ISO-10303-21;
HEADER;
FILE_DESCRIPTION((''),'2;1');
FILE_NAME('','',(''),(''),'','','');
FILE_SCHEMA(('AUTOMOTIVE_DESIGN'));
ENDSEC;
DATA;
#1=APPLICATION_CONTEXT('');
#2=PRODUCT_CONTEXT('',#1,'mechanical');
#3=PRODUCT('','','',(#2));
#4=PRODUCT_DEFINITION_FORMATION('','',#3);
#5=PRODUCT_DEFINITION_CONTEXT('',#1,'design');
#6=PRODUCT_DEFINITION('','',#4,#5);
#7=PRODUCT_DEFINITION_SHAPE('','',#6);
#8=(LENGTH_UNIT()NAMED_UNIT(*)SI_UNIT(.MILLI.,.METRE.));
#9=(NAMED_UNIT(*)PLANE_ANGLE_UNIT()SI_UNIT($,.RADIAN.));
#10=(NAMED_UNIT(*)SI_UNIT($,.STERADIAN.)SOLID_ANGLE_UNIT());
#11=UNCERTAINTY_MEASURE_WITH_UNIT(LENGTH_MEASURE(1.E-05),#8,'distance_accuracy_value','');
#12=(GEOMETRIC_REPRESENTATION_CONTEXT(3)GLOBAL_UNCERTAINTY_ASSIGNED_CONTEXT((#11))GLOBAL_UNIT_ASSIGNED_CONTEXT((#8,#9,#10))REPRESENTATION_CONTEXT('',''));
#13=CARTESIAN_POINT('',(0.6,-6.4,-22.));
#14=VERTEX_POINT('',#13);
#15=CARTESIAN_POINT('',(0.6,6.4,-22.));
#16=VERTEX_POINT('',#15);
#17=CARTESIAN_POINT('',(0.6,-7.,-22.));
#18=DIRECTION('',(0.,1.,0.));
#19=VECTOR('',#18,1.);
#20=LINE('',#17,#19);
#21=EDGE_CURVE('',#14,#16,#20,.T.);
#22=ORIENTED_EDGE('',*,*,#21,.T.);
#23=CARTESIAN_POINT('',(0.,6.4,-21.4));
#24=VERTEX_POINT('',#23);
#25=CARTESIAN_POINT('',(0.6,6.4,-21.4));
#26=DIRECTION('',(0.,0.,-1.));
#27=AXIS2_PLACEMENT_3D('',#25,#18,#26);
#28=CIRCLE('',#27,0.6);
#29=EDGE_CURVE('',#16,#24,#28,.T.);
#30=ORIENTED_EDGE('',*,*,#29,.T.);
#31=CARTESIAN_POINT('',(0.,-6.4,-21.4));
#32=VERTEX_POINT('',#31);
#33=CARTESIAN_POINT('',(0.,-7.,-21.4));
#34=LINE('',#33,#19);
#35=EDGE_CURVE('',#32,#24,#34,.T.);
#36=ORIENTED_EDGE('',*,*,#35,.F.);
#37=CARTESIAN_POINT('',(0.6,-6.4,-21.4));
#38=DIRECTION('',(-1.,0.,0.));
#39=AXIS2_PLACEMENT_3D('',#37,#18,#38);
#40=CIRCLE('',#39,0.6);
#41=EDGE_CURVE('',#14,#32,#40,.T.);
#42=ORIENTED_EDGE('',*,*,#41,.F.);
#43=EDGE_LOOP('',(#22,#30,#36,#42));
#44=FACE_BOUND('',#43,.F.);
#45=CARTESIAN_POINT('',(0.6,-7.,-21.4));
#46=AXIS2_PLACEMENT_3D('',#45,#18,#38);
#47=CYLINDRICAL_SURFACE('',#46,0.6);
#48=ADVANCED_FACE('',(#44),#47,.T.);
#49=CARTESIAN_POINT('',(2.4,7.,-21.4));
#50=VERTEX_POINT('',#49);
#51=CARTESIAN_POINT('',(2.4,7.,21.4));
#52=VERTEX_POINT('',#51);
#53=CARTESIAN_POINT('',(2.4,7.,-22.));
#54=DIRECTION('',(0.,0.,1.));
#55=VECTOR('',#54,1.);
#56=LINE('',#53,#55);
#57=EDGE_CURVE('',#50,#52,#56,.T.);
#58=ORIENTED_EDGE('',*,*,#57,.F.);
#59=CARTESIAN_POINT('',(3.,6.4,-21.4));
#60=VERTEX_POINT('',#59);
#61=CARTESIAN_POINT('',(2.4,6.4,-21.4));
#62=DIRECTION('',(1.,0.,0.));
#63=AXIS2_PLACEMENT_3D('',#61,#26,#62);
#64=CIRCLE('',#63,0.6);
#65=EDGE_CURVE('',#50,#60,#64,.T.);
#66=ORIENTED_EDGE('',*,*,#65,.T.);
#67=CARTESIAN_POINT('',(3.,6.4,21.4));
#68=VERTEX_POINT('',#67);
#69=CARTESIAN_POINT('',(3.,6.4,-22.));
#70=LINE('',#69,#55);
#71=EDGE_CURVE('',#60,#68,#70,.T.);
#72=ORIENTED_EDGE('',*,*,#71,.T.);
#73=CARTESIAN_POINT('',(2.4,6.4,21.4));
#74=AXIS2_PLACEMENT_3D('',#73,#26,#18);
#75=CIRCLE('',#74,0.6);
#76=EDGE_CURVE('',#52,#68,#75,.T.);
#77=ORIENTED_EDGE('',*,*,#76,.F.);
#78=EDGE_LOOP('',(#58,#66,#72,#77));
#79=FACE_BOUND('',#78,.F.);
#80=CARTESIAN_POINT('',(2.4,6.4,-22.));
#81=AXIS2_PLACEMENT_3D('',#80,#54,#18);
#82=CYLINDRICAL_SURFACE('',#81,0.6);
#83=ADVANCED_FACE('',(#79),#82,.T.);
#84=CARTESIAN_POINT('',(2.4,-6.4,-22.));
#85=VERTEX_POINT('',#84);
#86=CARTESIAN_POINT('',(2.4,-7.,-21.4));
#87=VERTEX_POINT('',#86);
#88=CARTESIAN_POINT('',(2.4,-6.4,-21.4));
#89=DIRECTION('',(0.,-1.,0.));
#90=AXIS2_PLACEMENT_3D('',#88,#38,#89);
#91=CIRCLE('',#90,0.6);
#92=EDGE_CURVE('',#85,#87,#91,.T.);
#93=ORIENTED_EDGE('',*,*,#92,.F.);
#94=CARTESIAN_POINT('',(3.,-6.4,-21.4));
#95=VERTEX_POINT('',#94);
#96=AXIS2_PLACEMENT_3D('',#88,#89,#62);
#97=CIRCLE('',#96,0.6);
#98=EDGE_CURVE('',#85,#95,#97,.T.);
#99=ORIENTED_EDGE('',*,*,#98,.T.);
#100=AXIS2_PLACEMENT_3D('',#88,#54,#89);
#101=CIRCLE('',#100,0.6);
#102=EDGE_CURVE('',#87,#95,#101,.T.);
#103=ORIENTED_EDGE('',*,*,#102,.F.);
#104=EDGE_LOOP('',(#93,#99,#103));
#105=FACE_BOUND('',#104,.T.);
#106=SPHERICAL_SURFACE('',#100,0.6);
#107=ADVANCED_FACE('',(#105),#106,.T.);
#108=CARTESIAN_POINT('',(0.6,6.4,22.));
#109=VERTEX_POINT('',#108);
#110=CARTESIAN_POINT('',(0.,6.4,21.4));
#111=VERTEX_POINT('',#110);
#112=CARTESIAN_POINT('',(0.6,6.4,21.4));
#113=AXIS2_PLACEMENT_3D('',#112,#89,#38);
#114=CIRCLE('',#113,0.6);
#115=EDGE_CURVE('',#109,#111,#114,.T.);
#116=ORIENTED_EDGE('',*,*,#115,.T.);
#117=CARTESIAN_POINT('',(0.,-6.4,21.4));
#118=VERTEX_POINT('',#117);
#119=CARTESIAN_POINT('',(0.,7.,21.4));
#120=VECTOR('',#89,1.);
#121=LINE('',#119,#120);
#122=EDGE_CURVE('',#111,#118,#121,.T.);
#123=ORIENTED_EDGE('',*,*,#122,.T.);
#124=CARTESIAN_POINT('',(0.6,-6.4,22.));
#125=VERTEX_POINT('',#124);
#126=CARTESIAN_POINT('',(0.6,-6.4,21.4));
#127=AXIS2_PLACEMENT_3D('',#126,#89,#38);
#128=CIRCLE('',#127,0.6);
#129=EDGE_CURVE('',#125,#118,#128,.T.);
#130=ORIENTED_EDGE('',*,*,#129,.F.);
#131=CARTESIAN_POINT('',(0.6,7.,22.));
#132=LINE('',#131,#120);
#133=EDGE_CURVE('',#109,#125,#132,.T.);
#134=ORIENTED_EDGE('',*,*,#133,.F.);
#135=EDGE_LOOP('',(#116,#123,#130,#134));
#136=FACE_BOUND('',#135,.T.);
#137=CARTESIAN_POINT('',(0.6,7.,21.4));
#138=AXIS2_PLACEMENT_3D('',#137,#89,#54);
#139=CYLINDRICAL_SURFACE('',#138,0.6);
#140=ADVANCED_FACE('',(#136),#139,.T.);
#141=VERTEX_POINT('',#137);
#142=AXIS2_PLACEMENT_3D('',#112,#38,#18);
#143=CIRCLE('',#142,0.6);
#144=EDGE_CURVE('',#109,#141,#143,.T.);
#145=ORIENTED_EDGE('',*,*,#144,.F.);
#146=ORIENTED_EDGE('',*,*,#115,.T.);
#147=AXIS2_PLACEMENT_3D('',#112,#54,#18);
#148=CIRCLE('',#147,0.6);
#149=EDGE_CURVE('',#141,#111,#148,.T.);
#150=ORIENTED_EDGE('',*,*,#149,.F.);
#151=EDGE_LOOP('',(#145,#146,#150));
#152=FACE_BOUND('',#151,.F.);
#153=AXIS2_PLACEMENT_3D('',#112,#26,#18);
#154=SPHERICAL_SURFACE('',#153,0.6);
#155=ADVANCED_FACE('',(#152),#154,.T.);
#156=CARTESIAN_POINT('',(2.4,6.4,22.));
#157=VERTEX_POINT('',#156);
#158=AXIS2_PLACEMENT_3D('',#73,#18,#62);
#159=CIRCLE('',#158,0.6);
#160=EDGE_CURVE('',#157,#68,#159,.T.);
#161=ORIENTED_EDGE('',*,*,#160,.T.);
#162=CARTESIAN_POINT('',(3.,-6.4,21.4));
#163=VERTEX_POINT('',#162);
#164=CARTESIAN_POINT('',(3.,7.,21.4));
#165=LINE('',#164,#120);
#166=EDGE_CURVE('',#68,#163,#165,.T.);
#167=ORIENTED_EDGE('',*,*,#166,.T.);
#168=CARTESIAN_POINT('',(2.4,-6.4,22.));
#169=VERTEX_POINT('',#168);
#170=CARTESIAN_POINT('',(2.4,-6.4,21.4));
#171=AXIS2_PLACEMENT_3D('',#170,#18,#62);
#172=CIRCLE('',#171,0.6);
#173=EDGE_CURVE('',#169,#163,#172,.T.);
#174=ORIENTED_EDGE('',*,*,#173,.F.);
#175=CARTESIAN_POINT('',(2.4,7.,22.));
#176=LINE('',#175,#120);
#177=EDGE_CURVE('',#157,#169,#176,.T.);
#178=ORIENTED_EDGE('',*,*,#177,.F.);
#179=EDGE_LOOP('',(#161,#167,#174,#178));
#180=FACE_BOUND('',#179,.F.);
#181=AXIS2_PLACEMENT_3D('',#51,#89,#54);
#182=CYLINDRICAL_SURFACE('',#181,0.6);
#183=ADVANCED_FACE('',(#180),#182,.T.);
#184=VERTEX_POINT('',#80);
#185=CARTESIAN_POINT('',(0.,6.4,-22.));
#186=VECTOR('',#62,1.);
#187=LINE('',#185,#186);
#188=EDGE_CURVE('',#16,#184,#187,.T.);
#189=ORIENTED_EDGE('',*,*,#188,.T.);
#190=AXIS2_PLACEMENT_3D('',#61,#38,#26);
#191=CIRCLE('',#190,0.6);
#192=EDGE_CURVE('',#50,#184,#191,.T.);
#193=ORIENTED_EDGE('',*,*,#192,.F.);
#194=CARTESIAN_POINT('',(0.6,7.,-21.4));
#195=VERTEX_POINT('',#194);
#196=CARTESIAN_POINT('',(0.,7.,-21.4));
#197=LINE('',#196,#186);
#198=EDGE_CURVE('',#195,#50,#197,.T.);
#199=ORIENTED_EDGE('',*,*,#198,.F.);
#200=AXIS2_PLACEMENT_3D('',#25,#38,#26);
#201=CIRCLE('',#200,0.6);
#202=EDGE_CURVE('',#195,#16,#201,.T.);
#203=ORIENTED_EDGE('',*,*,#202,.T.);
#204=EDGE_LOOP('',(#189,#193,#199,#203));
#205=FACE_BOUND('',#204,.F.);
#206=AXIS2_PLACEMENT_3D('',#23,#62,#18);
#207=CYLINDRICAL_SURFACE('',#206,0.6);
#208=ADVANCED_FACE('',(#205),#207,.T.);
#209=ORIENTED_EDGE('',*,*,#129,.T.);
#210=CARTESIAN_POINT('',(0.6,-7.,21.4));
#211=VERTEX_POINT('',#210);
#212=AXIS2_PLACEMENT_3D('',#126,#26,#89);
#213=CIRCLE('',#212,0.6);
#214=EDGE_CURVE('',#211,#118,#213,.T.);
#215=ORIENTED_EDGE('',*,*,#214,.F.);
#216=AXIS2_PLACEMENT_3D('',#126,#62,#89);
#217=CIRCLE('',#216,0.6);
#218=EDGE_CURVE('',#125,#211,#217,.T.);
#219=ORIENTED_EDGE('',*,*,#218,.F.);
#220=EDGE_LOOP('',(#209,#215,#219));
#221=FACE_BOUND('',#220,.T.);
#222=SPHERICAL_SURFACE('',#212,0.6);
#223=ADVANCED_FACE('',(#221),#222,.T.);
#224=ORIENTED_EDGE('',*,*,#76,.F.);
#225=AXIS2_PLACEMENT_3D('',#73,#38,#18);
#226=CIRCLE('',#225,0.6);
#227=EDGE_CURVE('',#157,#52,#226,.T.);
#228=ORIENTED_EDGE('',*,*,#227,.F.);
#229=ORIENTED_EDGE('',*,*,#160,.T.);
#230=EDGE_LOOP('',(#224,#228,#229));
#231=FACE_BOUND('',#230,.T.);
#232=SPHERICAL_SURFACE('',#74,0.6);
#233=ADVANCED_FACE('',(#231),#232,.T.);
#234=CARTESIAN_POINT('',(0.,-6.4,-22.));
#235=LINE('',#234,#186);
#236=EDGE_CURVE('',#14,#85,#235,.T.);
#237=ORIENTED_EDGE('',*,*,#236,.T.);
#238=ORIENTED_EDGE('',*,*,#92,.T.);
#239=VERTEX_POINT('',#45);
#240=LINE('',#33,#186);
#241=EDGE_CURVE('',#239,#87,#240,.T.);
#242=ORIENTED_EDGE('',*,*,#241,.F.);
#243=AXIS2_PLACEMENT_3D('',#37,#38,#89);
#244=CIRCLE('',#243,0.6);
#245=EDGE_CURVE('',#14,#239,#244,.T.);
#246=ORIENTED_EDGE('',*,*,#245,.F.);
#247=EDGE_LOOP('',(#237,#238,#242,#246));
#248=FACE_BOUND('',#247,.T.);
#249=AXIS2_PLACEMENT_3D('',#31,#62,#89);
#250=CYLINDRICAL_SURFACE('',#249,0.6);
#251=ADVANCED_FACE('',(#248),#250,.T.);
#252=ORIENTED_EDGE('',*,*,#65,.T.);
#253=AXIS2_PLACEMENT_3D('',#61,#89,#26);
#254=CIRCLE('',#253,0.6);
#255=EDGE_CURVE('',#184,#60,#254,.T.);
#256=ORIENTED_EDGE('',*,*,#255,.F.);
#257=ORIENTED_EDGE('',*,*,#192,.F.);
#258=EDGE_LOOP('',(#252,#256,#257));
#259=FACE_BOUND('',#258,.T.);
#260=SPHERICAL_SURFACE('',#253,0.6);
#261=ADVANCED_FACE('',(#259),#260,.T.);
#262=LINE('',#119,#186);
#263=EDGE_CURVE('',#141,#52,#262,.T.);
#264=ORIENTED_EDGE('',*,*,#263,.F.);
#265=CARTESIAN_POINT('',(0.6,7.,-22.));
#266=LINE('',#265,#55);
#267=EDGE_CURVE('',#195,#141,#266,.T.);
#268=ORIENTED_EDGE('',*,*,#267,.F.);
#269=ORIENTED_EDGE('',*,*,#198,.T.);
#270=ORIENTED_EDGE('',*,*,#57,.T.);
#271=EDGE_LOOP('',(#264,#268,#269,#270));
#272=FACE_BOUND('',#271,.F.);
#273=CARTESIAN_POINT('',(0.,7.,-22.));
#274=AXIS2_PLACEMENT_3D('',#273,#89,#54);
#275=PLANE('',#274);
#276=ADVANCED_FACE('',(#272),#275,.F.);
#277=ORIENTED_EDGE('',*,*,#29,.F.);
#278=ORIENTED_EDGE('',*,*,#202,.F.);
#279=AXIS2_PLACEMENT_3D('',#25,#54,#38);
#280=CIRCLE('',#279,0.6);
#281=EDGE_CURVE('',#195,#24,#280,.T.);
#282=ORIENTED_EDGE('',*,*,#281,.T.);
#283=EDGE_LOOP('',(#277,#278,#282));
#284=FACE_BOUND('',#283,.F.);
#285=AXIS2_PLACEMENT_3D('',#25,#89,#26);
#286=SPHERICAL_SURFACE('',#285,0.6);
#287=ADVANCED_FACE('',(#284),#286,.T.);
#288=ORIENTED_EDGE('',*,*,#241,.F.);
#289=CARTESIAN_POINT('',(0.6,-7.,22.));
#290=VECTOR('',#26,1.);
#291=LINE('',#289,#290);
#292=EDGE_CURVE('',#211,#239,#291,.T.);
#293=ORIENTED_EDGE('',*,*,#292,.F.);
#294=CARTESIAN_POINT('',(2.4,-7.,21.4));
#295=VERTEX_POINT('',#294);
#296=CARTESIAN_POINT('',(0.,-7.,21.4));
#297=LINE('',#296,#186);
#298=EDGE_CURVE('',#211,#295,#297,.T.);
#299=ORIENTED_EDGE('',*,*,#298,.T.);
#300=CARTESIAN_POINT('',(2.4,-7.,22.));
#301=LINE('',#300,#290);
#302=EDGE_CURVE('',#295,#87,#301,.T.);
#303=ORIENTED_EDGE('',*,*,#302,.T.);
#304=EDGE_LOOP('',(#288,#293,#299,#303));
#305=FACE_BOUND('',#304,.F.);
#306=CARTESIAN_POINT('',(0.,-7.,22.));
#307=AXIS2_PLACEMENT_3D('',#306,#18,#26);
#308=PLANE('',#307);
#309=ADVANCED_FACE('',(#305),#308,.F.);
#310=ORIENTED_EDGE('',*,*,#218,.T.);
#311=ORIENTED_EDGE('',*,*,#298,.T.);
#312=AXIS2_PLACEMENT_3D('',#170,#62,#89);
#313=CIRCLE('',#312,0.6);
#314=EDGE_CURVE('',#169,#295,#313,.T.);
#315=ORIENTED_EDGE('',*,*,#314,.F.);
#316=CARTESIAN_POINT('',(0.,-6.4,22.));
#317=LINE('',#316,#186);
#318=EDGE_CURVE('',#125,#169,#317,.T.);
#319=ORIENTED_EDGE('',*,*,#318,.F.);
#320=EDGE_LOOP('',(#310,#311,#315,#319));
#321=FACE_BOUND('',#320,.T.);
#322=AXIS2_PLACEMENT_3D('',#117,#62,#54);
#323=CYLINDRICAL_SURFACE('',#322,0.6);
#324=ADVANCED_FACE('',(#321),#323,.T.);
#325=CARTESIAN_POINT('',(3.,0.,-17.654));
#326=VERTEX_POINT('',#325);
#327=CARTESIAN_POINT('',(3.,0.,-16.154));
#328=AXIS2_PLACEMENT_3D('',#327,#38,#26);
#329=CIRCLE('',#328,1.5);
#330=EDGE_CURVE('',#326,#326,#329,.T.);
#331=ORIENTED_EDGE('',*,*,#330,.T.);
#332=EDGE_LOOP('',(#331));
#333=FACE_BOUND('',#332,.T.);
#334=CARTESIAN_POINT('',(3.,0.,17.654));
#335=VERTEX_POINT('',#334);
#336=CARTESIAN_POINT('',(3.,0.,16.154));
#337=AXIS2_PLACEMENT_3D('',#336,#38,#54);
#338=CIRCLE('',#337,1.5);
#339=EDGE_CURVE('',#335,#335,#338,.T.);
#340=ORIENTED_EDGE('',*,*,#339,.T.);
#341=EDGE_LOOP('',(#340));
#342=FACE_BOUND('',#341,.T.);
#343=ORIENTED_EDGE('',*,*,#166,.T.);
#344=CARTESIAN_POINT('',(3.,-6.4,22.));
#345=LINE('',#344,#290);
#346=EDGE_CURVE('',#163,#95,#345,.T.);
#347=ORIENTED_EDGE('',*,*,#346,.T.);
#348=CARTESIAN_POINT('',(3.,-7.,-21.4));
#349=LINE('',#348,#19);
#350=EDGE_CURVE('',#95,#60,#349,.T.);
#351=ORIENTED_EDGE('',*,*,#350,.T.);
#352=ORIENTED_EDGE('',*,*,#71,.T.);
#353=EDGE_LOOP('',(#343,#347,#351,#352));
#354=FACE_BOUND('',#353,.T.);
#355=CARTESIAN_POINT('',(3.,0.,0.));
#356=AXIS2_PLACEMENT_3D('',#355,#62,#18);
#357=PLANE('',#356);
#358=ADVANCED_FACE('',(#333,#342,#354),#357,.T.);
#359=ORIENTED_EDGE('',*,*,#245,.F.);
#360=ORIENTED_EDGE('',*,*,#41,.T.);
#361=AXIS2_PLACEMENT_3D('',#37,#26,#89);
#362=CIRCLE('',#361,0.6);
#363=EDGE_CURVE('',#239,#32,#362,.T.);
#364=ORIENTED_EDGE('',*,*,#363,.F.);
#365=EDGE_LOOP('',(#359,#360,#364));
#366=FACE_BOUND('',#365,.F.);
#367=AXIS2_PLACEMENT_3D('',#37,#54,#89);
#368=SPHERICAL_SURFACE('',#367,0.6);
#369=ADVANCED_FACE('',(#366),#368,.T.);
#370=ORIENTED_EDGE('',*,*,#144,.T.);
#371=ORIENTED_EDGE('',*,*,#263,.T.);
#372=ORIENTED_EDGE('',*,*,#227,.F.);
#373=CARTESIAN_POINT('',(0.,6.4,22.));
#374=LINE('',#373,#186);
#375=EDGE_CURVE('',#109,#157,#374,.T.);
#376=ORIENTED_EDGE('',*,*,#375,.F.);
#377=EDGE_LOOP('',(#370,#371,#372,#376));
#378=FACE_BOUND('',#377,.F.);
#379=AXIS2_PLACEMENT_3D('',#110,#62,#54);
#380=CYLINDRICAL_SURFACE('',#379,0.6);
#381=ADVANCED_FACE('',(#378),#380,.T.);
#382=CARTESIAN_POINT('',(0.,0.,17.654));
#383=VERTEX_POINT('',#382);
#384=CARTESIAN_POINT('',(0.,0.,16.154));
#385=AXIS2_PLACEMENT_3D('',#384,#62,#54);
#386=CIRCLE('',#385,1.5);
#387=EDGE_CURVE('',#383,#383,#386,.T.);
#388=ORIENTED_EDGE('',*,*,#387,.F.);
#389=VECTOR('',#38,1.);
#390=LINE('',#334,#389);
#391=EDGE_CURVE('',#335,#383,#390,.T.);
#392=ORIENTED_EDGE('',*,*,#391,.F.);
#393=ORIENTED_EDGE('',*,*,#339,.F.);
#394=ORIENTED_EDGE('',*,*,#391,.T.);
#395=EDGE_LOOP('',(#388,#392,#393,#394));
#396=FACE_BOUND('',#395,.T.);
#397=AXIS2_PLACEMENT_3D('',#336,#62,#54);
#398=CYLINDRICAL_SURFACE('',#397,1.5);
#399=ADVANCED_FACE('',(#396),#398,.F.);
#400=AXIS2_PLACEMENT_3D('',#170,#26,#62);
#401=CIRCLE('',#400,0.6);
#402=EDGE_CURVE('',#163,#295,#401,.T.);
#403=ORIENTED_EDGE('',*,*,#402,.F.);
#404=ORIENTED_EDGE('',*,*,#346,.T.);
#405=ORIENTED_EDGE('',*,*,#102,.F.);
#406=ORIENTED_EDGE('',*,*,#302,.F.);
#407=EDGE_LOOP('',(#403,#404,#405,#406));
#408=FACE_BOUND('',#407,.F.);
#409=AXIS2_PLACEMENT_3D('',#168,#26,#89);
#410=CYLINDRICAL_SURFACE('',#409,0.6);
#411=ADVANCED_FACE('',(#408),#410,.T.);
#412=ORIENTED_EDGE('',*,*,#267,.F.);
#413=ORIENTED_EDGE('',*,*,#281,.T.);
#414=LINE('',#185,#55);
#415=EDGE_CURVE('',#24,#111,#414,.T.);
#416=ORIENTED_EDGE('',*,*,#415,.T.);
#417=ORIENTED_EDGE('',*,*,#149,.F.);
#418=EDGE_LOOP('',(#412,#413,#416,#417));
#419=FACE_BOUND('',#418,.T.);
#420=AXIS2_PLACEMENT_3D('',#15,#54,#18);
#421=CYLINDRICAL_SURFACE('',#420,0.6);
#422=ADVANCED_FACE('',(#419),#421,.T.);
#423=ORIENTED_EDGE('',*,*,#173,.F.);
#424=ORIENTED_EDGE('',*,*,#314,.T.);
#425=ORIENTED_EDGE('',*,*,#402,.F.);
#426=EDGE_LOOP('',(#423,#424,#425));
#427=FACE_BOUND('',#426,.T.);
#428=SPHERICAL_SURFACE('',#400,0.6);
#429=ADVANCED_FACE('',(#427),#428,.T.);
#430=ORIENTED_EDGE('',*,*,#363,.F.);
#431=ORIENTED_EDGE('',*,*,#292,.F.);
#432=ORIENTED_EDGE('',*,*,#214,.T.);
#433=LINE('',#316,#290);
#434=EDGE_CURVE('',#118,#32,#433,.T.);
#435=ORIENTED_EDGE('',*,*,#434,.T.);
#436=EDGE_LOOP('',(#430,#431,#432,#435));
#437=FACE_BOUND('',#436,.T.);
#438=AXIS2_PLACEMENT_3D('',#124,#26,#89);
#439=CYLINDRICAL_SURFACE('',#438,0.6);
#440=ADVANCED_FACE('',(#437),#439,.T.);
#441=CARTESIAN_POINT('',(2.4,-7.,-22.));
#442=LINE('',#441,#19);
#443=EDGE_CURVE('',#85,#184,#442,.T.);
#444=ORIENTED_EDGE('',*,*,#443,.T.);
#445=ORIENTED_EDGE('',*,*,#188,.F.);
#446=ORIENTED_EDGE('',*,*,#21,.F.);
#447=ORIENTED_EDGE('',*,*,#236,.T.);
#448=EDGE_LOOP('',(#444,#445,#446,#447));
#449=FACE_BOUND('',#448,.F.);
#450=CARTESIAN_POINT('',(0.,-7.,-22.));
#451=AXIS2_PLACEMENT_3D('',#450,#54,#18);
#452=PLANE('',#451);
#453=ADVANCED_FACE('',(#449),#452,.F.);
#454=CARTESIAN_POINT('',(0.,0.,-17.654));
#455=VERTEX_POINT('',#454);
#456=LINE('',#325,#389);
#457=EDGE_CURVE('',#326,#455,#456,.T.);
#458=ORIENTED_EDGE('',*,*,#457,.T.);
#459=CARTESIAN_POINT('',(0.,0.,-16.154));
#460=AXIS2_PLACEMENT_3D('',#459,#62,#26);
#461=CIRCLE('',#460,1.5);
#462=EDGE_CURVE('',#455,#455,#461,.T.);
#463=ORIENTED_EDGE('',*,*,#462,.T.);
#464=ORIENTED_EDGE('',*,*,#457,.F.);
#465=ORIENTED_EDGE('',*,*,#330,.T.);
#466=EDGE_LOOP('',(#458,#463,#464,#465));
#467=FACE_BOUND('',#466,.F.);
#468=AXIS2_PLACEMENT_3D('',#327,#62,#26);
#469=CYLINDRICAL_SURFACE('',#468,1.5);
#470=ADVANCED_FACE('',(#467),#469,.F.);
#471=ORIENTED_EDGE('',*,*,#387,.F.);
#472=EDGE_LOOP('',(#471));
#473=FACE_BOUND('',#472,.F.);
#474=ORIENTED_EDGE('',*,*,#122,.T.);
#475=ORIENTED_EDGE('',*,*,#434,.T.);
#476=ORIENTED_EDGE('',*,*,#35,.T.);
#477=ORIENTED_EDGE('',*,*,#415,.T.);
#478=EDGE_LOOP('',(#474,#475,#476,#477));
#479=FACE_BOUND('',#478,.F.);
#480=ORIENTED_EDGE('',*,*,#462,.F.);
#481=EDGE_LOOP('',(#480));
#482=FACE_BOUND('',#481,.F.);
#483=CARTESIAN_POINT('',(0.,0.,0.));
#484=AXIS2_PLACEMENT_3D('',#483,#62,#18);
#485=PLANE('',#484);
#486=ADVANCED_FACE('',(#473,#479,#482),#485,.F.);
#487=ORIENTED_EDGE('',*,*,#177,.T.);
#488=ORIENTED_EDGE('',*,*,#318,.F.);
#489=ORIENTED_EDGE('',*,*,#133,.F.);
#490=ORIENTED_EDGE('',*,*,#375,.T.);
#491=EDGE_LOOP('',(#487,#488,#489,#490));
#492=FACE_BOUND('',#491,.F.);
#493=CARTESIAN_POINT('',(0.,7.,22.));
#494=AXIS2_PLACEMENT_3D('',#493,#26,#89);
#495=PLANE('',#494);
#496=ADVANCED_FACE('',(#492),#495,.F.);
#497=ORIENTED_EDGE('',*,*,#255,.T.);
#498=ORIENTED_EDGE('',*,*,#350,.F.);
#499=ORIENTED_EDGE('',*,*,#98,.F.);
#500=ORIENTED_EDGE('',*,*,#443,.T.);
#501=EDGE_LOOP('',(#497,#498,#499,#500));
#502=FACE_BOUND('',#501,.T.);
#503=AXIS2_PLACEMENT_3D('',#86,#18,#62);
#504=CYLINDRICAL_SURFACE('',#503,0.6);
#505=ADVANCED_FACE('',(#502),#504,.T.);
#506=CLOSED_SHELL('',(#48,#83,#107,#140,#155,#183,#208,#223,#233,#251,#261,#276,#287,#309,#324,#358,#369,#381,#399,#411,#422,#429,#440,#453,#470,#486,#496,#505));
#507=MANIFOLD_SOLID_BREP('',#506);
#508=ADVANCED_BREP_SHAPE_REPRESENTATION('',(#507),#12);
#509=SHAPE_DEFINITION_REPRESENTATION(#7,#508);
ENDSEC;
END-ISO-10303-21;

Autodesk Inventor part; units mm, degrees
ref_plane "YZ Plane" through (0, 0, 0) normal (1, 0, 0) x (0, 1, 0)
ref_plane "XZ Plane" through (0, 0, 0) normal (0, 1, 0) x (-1, 0, 0)
ref_plane "XY Plane" through (0, 0, 0) normal (0, 0, 1) x (1, 0, 0)
sketch "Sketch1" plane through (0, 0, 0) normal (1, 0, 0) x (0, 1, 0)
  line L0 (-7, 22) -> (-7, -22)
  line L1 (-7, -22) -> (7, -22)
  line L2 (7, -22) -> (7, 22)
  line L3 (7, 22) -> (-7, 22)
  line L4 (-7, 22) -> (7, -22) construction
  line L5 (-7, -22) -> (7, 22) construction
  point P0 (0, 0)
  dimension "d0" = 44
  dimension "d1" = 14
extrude "Extrusion1" add sketch "Sketch1" along normal blind 3
sketch "Sketch2" plane through (3, 0, 0) normal (1, 0, 0) x (0, 0, -1)
  line L0 (0, 0) -> (16.154, 0)
  circle A0 centre (16.154, 0) radius 1.5
  dimension "d4" = 16.154
  dimension "d5" = 3
extrude "Extrusion2" cut sketch "Sketch2" against normal blind 3
thread "Thread1" size "M3x0.5" class "6H" standard "ANSI Metric M Profile" full length
mirror "Mirror1" about plane through (0, 0, 0) normal (0, 0, 1) of "Extrusion2"
fillet "Fillet1" radius 0.6 12 edges at (3, -7, 0) (0, -7, 0) (1.5, -7, -22) (3, 0, -22) (0, 0, -22) (1.5, 7, -22) (3, 7, 0) (0, 7, 0) (1.5, 7, 22) (3, 0, 22) (1.5, -7, 22) (0, 0, 22)
properties part number "Clamp Plate"
